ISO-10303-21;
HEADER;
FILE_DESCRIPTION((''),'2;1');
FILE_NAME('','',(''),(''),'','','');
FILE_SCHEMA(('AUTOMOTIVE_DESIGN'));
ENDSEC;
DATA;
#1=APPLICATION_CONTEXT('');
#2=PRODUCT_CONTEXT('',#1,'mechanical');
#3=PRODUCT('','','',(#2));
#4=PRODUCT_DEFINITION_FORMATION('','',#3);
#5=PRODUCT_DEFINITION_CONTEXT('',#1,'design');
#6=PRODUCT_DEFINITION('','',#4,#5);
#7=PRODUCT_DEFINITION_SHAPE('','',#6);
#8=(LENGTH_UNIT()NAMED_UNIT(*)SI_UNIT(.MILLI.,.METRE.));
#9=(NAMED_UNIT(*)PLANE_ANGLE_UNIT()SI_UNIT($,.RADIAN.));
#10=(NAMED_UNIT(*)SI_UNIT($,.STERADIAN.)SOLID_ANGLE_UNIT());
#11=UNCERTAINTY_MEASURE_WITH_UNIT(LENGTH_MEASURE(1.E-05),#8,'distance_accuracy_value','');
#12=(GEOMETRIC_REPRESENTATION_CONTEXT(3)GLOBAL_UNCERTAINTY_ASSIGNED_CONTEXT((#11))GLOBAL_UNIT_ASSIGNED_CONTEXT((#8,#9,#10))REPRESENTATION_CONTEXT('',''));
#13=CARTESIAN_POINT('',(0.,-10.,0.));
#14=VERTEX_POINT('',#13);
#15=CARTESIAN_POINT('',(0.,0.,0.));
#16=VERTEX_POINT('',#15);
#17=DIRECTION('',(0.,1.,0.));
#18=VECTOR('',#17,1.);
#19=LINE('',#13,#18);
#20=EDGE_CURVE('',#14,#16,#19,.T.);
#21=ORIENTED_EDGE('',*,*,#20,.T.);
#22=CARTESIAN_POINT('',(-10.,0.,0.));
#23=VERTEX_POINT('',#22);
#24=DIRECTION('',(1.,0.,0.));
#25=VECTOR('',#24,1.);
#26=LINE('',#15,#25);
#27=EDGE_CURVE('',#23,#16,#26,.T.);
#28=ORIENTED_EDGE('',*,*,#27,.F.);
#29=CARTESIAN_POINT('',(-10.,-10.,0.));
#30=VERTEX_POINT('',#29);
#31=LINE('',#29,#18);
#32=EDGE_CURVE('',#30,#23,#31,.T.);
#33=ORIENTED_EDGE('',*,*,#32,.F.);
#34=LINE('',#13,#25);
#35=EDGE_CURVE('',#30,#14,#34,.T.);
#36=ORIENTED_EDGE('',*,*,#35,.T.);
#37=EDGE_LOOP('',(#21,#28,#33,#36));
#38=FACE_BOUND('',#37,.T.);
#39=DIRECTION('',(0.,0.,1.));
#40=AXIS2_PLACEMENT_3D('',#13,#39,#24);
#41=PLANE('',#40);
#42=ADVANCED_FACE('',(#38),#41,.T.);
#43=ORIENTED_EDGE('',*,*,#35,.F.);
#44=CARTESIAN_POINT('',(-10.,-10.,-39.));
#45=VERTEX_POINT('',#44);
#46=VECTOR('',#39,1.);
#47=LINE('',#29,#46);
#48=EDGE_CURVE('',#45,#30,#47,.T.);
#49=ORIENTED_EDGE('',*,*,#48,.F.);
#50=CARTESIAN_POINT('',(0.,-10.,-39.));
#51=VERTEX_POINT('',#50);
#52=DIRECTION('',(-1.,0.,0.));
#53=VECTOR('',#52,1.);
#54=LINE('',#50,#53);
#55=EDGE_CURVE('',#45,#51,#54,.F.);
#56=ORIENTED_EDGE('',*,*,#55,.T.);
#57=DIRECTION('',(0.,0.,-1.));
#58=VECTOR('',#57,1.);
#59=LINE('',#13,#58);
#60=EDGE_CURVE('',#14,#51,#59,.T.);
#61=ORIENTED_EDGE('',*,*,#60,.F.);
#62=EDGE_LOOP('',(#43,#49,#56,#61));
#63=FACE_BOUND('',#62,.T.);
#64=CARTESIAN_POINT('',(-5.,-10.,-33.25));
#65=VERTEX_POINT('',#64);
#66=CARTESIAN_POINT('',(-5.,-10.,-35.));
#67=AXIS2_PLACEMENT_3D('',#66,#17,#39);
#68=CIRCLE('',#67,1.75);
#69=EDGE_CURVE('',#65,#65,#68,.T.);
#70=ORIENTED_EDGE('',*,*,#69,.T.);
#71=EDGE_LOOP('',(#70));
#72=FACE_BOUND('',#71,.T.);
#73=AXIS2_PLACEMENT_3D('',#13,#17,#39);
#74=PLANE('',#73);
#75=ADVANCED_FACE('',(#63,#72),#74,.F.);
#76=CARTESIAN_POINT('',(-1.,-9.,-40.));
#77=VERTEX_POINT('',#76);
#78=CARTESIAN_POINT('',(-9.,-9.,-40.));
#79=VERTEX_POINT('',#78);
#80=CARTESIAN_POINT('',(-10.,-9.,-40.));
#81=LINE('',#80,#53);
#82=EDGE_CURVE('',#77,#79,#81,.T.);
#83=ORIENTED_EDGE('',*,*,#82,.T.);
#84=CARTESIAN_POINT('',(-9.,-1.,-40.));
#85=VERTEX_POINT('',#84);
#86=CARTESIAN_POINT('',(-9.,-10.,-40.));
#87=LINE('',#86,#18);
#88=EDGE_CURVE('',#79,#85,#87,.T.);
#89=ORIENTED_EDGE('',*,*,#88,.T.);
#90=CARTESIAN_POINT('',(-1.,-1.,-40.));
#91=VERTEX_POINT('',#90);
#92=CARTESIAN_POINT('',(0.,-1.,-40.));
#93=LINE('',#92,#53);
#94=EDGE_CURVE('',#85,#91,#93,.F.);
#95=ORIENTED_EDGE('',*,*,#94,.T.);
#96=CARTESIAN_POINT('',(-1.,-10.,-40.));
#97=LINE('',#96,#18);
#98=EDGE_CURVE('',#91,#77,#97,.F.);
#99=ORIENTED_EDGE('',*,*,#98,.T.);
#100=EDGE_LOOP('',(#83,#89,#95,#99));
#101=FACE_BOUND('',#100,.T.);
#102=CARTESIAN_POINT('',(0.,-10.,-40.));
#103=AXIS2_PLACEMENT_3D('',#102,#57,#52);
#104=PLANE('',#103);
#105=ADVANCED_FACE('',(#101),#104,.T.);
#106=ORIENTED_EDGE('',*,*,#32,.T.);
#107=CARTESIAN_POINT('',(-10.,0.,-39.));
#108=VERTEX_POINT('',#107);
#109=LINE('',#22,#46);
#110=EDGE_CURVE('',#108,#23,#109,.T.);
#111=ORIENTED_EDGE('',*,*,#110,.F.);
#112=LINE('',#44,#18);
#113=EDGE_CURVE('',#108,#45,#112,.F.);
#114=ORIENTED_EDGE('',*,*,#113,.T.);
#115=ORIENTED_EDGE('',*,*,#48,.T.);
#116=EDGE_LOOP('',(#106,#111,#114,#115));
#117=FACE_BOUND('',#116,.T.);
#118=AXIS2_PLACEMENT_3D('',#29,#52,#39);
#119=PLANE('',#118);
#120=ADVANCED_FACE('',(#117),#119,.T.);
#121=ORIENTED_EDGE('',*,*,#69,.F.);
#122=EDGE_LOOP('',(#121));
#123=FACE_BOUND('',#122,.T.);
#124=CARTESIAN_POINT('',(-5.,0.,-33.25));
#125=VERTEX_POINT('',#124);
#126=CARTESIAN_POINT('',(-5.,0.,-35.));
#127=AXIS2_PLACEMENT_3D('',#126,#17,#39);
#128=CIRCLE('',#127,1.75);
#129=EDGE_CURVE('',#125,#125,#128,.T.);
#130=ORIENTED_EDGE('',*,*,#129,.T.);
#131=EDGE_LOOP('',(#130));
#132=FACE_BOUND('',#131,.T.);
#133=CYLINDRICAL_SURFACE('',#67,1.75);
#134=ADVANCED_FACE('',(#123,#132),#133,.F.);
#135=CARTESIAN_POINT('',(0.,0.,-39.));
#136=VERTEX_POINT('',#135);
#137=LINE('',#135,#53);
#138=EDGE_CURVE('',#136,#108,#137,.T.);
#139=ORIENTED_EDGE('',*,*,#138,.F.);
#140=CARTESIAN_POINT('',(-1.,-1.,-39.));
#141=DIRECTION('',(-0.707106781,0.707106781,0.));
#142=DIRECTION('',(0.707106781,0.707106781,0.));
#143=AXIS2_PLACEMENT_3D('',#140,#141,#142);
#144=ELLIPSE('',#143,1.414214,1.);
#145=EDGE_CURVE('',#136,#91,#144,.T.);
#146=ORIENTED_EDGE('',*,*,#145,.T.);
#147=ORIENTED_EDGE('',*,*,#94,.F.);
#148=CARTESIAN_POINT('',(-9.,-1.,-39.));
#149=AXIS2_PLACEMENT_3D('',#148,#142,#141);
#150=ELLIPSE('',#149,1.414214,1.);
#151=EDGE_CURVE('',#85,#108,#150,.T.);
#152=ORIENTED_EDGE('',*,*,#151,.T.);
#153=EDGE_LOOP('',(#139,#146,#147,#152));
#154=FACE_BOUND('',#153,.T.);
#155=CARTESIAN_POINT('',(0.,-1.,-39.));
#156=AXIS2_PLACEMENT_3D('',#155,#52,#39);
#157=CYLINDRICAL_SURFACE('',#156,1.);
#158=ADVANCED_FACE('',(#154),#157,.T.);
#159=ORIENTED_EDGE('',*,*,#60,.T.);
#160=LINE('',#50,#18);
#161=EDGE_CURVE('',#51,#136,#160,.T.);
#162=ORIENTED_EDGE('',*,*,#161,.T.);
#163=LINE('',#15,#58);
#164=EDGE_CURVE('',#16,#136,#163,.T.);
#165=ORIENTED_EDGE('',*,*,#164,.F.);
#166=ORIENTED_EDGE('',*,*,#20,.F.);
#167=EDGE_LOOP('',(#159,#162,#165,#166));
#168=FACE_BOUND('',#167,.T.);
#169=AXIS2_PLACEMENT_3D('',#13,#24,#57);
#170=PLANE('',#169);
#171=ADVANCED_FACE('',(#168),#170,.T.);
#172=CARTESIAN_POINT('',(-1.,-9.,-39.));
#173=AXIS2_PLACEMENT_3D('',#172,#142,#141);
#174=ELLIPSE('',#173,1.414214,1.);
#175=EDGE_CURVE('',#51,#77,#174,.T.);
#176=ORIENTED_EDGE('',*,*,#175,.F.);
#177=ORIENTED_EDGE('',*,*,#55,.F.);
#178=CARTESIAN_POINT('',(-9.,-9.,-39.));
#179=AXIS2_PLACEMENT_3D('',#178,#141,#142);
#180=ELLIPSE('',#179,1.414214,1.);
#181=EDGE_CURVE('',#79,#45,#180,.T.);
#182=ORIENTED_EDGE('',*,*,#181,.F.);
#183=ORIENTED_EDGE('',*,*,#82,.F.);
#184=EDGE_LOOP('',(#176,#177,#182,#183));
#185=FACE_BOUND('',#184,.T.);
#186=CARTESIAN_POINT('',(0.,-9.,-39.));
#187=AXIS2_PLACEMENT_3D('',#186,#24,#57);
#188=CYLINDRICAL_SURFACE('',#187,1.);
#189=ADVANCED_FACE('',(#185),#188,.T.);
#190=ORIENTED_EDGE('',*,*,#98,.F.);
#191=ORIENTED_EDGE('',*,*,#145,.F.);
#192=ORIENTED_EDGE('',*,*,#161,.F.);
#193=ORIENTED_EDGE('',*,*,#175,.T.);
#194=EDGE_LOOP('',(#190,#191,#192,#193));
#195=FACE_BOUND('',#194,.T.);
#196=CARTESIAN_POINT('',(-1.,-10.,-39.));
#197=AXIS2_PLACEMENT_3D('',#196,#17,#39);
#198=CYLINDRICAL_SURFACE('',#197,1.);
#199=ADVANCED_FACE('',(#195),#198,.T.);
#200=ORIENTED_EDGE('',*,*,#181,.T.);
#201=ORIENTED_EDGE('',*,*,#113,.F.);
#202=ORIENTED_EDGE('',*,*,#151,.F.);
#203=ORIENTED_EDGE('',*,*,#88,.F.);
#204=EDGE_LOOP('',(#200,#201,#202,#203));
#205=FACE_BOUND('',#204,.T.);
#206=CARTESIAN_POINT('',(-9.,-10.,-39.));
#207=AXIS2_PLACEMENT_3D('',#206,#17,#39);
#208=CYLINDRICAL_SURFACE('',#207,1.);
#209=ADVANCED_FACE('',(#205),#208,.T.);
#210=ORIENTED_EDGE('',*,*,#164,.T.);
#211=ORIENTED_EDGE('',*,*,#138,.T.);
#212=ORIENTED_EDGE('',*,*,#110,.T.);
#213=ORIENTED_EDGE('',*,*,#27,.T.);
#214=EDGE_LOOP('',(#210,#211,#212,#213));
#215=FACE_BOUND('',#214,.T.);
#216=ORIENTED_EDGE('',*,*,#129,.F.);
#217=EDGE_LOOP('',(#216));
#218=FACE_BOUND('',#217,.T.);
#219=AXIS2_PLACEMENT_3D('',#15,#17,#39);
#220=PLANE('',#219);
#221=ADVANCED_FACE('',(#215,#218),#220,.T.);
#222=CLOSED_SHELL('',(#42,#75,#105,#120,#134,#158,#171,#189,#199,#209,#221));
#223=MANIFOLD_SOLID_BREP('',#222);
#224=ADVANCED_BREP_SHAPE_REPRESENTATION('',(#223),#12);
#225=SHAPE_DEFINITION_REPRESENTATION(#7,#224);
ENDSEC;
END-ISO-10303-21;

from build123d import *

# Parameters (mm, degrees)
SKIZZE1_W                       = 10
SKIZZE1_H                       = 40
SKIZZE1_R                       = 1.75
AUFSATZ_LINEAR_AUSTRAGEN1_DEPTH = 10
VERRUNDUNG1_R                   = 1


with BuildPart() as part:
    # Skizze1 → Aufsatz-Linear austragen1 (new body)
    with BuildSketch(Plane(origin=(0, 0, 0), x_dir=(1, 0, 0), z_dir=(0, 1, 0))):
        with Locations((-5, 20)):
            Rectangle(SKIZZE1_W, SKIZZE1_H)
        with Locations(Location((-5, 35, 0), (0, 0, 270))):
            Circle(SKIZZE1_R, mode=Mode.SUBTRACT)
    extrude(amount=-AUFSATZ_LINEAR_AUSTRAGEN1_DEPTH)

    # Verrundung1
    verrundung1_edges = [part.edges().sort_by_distance(p)[0] for p in [
        (-5, 0, -40),
        (-5, -10, -40),
        (-10, -5, -40),
        (0, -5, -40),
    ]]
    fillet(verrundung1_edges, radius=VERRUNDUNG1_R)


solid = part.part
